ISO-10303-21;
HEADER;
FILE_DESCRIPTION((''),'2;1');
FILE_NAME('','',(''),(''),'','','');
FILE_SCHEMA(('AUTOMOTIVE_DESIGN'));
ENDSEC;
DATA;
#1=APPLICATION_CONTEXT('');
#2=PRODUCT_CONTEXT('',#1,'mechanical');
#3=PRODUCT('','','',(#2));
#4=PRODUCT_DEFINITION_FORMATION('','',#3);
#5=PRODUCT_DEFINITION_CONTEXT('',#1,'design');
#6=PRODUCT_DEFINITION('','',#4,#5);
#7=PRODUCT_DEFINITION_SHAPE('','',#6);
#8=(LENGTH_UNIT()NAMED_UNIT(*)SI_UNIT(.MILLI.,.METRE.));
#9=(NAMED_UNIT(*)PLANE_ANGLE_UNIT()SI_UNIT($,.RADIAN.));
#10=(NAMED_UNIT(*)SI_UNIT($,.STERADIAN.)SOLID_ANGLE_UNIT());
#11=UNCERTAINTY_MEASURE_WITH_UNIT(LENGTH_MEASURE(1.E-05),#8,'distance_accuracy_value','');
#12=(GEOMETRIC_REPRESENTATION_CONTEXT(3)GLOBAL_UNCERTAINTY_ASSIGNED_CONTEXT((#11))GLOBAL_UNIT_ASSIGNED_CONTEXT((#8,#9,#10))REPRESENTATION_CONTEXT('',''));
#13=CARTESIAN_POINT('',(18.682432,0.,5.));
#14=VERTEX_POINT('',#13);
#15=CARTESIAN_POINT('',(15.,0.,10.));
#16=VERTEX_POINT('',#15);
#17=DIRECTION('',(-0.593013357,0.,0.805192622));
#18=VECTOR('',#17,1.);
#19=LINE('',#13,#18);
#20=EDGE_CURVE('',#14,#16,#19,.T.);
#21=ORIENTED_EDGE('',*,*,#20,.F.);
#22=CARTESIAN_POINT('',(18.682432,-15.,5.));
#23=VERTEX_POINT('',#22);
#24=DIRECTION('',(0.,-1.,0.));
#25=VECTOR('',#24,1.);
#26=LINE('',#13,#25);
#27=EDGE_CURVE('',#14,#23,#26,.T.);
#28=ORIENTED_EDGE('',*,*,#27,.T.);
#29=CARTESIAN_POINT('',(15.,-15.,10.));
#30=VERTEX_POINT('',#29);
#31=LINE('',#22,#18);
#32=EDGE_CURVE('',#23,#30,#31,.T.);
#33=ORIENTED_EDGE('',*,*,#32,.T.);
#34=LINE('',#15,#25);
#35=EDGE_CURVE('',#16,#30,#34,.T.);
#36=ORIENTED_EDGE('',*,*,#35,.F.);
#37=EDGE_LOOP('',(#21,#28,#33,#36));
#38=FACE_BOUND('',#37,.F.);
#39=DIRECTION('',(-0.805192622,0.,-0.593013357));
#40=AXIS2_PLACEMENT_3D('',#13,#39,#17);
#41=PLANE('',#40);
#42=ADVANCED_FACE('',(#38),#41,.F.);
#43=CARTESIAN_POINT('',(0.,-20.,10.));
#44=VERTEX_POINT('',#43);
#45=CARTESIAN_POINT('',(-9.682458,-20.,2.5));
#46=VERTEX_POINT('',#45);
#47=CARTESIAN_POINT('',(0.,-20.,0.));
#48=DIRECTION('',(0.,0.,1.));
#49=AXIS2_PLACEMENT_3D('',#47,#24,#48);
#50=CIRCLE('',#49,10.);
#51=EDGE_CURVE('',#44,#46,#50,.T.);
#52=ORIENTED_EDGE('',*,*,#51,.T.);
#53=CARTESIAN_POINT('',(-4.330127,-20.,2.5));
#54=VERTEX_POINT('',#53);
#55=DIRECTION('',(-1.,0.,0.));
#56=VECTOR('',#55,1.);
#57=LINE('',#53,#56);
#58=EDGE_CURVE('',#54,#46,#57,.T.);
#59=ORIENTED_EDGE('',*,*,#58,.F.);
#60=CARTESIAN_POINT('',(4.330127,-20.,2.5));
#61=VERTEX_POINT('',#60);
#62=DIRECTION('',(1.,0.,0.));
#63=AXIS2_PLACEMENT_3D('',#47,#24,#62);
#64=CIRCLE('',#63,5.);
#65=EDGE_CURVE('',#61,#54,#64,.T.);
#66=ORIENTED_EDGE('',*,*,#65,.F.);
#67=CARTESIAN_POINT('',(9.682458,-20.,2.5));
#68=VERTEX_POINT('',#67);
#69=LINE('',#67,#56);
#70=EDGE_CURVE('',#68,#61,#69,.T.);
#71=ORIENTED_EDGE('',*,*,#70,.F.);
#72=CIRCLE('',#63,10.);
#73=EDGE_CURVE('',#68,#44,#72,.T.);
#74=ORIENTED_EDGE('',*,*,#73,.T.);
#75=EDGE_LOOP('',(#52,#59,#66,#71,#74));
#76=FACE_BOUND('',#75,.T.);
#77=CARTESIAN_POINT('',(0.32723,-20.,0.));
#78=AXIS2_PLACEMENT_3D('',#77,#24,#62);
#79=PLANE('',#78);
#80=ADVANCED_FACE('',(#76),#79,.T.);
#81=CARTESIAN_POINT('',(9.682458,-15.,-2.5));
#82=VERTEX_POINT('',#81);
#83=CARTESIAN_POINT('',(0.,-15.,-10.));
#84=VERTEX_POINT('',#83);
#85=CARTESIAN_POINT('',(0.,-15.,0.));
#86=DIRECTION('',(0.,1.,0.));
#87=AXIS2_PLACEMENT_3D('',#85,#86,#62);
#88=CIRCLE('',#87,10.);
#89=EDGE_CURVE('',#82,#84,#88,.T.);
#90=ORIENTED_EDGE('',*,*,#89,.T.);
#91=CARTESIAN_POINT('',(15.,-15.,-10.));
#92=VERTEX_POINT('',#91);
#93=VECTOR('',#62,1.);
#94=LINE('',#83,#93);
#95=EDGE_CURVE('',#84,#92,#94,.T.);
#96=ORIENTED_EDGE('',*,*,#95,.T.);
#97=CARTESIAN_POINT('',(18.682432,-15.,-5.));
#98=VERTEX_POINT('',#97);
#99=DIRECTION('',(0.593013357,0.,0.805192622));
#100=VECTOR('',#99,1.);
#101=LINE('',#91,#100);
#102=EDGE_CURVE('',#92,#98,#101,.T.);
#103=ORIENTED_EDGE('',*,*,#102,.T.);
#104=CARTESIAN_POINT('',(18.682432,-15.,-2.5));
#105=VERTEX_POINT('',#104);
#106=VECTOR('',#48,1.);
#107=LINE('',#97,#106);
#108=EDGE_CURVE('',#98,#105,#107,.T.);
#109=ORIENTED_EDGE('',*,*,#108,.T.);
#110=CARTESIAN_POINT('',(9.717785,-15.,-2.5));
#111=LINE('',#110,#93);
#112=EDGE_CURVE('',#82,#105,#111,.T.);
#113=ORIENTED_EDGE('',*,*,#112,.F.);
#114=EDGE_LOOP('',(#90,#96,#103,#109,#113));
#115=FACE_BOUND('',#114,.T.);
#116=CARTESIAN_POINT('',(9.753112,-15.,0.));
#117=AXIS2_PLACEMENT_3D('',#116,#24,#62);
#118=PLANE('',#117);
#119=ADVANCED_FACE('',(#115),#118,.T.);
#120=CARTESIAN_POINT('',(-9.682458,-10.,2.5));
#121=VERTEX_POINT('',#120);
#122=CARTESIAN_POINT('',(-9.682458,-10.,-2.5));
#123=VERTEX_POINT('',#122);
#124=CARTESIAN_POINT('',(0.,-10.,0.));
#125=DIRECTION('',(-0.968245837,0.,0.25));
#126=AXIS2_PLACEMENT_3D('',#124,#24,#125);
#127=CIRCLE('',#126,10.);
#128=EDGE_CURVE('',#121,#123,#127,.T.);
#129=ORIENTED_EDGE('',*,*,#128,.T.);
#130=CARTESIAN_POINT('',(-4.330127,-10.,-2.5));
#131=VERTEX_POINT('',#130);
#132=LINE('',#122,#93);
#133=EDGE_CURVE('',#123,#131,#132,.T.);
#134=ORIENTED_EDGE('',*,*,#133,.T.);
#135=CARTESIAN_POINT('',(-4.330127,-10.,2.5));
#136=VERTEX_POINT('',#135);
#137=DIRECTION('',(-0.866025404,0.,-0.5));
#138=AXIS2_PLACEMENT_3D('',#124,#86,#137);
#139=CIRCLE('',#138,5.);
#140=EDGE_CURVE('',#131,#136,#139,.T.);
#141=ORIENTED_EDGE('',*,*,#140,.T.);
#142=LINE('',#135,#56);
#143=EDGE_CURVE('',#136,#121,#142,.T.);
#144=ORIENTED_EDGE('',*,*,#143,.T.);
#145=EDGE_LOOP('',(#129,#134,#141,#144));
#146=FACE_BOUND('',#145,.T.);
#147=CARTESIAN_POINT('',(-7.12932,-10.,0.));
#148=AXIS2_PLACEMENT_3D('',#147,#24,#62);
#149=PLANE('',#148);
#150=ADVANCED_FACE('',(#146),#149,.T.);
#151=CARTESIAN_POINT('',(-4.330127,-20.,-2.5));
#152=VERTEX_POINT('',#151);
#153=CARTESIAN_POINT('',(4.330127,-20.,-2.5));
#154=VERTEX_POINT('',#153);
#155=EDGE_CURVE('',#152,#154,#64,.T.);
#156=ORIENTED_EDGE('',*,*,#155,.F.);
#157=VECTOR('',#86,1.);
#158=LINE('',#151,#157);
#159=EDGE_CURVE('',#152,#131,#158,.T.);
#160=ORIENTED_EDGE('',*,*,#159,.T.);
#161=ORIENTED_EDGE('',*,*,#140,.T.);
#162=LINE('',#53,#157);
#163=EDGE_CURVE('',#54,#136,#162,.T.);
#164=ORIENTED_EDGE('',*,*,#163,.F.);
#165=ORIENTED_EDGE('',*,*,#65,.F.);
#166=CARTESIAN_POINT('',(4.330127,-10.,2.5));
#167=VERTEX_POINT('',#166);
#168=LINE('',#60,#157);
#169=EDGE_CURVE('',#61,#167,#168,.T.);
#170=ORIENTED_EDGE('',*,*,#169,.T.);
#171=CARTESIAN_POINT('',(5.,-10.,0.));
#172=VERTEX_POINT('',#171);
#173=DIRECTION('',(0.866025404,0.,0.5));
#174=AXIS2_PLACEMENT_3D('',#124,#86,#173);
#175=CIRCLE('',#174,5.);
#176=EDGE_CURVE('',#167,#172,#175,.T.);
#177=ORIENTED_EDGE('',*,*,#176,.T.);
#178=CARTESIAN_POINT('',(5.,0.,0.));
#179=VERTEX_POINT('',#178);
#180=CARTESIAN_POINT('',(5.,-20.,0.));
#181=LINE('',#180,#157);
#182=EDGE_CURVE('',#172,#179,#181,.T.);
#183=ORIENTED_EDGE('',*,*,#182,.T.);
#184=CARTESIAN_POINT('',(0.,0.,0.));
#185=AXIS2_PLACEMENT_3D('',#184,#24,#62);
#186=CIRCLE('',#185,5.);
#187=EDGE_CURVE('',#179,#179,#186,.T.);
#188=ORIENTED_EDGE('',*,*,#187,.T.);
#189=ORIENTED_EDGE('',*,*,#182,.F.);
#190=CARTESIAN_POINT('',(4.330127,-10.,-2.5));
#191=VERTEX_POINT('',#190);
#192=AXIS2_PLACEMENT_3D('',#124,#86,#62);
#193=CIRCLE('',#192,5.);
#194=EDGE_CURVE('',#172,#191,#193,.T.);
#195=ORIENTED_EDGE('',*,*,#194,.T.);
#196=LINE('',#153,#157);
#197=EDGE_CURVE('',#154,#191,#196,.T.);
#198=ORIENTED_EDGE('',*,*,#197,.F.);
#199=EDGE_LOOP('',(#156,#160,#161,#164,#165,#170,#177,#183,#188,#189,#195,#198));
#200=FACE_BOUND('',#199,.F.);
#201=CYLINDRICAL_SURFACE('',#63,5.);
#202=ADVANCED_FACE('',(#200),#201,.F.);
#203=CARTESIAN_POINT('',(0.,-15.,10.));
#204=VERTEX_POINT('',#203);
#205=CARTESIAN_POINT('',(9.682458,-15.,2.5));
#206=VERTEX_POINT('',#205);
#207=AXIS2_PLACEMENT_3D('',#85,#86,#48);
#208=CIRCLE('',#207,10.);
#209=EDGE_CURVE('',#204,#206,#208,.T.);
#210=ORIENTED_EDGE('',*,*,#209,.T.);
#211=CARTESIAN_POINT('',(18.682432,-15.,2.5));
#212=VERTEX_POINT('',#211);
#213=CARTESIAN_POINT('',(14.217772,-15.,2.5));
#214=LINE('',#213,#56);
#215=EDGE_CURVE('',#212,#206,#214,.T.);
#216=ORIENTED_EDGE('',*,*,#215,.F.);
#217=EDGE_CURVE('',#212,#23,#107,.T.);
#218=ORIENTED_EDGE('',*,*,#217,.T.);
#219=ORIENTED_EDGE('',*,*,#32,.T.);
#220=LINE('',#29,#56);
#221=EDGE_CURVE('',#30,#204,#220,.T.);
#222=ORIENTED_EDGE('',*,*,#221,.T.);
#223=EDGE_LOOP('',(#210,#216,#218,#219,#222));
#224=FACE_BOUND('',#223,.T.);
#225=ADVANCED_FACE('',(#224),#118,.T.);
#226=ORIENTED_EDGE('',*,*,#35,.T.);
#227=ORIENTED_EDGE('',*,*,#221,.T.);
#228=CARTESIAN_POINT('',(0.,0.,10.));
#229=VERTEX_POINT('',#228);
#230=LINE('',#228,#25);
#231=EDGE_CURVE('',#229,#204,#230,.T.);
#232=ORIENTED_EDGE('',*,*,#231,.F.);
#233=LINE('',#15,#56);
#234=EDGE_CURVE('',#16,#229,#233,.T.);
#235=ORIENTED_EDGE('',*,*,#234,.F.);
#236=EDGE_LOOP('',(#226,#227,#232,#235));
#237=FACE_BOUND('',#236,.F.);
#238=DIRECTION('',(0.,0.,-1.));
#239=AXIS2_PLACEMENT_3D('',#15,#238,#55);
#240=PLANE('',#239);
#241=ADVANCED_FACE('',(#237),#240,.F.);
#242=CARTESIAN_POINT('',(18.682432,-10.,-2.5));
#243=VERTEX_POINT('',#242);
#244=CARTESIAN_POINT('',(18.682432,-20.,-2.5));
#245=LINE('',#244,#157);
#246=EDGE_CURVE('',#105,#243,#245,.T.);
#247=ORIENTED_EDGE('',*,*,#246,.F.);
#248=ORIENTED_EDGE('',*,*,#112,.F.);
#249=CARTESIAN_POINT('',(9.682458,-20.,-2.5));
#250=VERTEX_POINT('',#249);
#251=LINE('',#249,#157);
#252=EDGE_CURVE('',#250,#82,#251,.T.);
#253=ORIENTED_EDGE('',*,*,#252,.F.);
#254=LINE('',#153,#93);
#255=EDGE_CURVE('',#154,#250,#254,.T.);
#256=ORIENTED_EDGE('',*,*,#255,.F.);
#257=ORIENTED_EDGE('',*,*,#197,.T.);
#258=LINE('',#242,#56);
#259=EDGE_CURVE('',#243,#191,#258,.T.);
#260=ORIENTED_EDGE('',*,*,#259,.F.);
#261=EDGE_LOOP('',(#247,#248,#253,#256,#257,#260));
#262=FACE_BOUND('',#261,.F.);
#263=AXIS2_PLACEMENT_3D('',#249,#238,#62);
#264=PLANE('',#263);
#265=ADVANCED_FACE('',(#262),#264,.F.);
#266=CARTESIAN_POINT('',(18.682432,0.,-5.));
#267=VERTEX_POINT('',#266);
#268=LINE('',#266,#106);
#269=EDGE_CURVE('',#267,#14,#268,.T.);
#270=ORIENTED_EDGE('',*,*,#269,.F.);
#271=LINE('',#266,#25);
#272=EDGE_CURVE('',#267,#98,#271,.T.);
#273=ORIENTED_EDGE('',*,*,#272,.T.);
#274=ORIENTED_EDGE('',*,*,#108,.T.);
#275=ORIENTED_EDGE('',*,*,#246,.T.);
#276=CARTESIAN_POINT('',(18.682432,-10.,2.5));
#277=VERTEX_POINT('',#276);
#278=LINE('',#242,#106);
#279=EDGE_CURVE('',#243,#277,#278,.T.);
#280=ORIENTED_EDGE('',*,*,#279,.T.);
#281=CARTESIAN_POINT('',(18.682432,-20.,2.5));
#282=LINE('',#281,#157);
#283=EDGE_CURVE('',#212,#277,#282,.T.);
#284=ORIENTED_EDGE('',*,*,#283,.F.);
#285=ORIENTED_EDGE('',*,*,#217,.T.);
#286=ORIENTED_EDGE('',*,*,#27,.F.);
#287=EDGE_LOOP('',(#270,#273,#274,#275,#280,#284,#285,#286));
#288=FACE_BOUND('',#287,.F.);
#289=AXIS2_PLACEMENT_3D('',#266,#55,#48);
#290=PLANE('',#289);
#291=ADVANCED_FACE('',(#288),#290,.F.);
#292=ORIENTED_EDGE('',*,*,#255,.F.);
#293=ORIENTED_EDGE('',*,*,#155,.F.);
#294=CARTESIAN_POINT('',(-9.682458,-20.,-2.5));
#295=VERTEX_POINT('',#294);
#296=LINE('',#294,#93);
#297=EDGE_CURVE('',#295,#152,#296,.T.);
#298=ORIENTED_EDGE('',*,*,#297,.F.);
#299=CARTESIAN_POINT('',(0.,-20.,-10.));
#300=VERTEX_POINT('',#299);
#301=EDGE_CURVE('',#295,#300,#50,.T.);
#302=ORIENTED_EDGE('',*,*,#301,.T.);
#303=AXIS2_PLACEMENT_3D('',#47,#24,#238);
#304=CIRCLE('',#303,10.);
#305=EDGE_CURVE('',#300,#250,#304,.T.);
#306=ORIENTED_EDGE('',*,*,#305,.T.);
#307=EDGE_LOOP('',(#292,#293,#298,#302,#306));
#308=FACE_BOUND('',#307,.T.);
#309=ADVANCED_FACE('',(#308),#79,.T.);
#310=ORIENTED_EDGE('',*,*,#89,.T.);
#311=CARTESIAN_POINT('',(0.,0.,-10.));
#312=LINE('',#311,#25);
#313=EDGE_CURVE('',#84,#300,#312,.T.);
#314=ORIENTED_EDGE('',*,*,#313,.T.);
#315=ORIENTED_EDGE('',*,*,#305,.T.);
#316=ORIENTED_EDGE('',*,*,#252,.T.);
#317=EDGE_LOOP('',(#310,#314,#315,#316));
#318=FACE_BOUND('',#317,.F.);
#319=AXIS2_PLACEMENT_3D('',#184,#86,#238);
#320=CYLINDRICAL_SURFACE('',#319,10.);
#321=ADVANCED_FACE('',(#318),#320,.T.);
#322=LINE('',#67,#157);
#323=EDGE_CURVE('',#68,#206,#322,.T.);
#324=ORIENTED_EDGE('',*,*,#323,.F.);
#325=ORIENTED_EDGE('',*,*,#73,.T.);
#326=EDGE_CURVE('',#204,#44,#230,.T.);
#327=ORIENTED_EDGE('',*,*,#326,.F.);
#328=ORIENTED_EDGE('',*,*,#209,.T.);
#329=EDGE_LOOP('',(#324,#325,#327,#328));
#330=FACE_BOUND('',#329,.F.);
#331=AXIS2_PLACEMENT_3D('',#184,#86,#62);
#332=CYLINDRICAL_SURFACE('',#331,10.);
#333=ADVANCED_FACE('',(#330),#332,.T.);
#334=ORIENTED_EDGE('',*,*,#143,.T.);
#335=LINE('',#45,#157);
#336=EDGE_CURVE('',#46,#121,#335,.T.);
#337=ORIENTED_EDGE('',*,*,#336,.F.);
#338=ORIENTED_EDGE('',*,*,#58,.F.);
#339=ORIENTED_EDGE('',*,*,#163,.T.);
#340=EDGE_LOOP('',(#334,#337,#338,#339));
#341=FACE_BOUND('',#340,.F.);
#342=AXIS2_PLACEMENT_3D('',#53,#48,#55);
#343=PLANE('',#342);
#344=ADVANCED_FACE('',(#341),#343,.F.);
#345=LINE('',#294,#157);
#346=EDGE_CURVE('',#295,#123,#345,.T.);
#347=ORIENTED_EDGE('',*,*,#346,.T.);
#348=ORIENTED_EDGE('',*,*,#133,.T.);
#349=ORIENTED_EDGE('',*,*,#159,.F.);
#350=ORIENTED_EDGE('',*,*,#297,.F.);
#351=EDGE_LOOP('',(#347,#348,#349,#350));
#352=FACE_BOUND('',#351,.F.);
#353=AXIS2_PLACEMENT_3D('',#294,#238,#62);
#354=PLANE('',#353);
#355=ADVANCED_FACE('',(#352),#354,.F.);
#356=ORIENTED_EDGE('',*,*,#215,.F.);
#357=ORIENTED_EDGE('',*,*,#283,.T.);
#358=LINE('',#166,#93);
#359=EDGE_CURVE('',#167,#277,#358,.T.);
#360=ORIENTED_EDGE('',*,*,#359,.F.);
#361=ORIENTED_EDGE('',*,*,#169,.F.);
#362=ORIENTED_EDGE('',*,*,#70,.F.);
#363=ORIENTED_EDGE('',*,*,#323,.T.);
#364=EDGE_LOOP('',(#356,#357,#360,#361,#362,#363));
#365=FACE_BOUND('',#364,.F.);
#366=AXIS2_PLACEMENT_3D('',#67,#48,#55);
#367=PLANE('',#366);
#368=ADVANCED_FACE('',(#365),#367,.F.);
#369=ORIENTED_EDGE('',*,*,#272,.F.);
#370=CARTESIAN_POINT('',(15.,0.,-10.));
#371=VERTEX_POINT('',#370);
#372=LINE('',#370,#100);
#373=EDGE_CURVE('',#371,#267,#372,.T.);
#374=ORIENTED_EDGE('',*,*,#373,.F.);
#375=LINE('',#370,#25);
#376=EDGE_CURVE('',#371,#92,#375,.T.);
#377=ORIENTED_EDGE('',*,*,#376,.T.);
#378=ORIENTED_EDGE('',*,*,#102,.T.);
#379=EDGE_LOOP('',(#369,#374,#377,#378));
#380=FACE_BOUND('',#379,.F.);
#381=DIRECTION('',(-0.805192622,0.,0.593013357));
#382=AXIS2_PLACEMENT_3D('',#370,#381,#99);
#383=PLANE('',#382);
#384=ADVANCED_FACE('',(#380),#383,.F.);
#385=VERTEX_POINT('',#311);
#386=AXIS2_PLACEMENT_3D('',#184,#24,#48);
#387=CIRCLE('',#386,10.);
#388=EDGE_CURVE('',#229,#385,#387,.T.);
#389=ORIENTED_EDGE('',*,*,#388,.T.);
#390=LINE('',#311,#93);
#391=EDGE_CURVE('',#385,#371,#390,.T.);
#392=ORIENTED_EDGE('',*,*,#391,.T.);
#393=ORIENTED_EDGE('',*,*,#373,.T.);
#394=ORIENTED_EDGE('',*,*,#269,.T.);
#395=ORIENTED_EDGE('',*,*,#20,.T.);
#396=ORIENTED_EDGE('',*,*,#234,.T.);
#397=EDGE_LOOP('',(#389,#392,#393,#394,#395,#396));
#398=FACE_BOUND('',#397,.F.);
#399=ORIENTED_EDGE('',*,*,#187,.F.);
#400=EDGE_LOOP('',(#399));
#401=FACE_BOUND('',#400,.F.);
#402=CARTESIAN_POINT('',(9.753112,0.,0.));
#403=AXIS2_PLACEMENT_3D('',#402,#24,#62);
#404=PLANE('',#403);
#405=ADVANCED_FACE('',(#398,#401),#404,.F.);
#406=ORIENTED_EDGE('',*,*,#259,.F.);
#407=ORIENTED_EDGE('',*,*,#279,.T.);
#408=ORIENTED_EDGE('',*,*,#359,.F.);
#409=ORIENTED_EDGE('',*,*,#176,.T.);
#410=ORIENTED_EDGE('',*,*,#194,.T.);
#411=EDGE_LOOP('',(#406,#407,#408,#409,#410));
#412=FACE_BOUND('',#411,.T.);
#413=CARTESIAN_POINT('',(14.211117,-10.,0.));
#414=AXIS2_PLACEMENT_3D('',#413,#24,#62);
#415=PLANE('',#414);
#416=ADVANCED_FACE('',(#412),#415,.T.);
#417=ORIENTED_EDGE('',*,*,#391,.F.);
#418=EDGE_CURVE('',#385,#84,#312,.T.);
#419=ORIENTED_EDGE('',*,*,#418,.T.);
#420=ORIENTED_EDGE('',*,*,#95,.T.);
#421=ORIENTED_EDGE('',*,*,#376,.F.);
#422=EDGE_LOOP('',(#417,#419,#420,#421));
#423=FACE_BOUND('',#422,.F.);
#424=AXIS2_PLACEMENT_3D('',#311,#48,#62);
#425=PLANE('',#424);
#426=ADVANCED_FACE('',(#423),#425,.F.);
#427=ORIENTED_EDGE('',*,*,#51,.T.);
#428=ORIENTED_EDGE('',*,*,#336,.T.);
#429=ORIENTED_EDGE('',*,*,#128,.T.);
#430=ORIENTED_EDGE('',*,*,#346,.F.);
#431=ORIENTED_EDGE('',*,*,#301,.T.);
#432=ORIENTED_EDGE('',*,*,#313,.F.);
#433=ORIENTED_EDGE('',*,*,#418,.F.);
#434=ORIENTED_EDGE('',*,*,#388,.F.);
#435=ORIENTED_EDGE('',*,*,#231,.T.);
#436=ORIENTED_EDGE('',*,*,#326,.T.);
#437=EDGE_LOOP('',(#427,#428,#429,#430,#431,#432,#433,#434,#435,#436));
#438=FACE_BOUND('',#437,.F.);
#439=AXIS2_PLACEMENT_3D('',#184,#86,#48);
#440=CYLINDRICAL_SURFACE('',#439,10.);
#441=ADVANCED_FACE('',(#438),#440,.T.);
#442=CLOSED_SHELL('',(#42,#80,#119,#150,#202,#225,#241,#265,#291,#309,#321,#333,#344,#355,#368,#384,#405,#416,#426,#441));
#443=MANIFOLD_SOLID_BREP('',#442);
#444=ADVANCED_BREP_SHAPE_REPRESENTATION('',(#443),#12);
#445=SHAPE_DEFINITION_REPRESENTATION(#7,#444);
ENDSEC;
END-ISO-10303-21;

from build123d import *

# Parameters (mm, degrees)
F1_DEPTH = 20
F2_DEPTH = 15
F3_R     = 5
F4_DEPTH = 20.001
F6_DEPTH = 10
F7_DEPTH = 10


with BuildPart() as f1:
    # F0 (on Front) → F1 (new body)
    with BuildSketch(Plane.XZ):
        with BuildLine():
            ThreePointArc((0, -10), (7.0710678119, -7.0710678119), (10, 0))
            ThreePointArc((10, 0), (7.0710678119, 7.0710678119), (0, 10))
            ThreePointArc((0, 10), (-10, 0), (0, -10))
        make_face()
    extrude(amount=F1_DEPTH)

    # F0 (on Front) → F2 (join)
    with BuildSketch(Plane.XZ):
        with BuildLine():
            ThreePointArc((0, 10), (7.0710678119, 7.0710678119), (10, 0))
            ThreePointArc((10, 0), (7.0710678119, -7.0710678119), (0, -10))
            Line((0, -10), (15, -10))
            Line((15, -10), (18.6824316361, -5))
            Line((18.6824316361, -5), (18.6824316361, 5))
            Line((18.6824316361, 5), (15, 10))
            Line((15, 10), (0, 10))
        make_face()
    extrude(amount=F2_DEPTH)

    # F3 (on face) → F4 (cut, through all)
    with BuildSketch(Plane.XZ.offset(20)):
        Circle(F3_R)
    extrude(amount=-F4_DEPTH, mode=Mode.SUBTRACT)

    # F5 (on face) → F6 (cut)
    with BuildSketch(Plane.XZ.offset(20)):
        with BuildLine():
            ThreePointArc((10, 0), (9.9202969627, 1.2600429248), (9.6824583655, 2.5))
            Line((9.6824583655, 2.5), (4.3301270189, 2.5))
            ThreePointArc((4.3301270189, 2.5), (4.8296291314, 1.2940952255), (5, 0))
            ThreePointArc((5, 0), (4.8296291314, -1.2940952255), (4.3301270189, -2.5))
            Line((4.3301270189, -2.5), (9.6824583655, -2.5))
            ThreePointArc((9.6824583655, -2.5), (9.9202969627, -1.2600429248), (10, 0))
        make_face()
        with BuildLine():
            Line((-4.3301270189, 2.5), (-9.6824583655, 2.5))
            ThreePointArc((-9.6824583655, 2.5), (-10, 0), (-9.6824583655, -2.5))
            Line((-9.6824583655, -2.5), (-4.3301270189, -2.5))
            ThreePointArc((-4.3301270189, -2.5), (-5, 0), (-4.3301270189, 2.5))
        make_face()
    extrude(amount=-F6_DEPTH, mode=Mode.SUBTRACT)

    # F5 (on face) → F7 (cut)
    with BuildSketch(Plane.XZ.offset(20)):
        with BuildLine():
            Line((18.6824316361, -2.5), (18.6824316361, 2.5))
            Line((18.6824316361, 2.5), (9.6824583655, 2.5))
            ThreePointArc((9.6824583655, 2.5), (9.9202969627, 1.2600429248), (10, 0))
            ThreePointArc((10, 0), (9.9202969627, -1.2600429248), (9.6824583655, -2.5))
            Line((9.6824583655, -2.5), (18.6824316361, -2.5))
        make_face()
    extrude(amount=-F7_DEPTH, mode=Mode.SUBTRACT)


solid = f1.part
